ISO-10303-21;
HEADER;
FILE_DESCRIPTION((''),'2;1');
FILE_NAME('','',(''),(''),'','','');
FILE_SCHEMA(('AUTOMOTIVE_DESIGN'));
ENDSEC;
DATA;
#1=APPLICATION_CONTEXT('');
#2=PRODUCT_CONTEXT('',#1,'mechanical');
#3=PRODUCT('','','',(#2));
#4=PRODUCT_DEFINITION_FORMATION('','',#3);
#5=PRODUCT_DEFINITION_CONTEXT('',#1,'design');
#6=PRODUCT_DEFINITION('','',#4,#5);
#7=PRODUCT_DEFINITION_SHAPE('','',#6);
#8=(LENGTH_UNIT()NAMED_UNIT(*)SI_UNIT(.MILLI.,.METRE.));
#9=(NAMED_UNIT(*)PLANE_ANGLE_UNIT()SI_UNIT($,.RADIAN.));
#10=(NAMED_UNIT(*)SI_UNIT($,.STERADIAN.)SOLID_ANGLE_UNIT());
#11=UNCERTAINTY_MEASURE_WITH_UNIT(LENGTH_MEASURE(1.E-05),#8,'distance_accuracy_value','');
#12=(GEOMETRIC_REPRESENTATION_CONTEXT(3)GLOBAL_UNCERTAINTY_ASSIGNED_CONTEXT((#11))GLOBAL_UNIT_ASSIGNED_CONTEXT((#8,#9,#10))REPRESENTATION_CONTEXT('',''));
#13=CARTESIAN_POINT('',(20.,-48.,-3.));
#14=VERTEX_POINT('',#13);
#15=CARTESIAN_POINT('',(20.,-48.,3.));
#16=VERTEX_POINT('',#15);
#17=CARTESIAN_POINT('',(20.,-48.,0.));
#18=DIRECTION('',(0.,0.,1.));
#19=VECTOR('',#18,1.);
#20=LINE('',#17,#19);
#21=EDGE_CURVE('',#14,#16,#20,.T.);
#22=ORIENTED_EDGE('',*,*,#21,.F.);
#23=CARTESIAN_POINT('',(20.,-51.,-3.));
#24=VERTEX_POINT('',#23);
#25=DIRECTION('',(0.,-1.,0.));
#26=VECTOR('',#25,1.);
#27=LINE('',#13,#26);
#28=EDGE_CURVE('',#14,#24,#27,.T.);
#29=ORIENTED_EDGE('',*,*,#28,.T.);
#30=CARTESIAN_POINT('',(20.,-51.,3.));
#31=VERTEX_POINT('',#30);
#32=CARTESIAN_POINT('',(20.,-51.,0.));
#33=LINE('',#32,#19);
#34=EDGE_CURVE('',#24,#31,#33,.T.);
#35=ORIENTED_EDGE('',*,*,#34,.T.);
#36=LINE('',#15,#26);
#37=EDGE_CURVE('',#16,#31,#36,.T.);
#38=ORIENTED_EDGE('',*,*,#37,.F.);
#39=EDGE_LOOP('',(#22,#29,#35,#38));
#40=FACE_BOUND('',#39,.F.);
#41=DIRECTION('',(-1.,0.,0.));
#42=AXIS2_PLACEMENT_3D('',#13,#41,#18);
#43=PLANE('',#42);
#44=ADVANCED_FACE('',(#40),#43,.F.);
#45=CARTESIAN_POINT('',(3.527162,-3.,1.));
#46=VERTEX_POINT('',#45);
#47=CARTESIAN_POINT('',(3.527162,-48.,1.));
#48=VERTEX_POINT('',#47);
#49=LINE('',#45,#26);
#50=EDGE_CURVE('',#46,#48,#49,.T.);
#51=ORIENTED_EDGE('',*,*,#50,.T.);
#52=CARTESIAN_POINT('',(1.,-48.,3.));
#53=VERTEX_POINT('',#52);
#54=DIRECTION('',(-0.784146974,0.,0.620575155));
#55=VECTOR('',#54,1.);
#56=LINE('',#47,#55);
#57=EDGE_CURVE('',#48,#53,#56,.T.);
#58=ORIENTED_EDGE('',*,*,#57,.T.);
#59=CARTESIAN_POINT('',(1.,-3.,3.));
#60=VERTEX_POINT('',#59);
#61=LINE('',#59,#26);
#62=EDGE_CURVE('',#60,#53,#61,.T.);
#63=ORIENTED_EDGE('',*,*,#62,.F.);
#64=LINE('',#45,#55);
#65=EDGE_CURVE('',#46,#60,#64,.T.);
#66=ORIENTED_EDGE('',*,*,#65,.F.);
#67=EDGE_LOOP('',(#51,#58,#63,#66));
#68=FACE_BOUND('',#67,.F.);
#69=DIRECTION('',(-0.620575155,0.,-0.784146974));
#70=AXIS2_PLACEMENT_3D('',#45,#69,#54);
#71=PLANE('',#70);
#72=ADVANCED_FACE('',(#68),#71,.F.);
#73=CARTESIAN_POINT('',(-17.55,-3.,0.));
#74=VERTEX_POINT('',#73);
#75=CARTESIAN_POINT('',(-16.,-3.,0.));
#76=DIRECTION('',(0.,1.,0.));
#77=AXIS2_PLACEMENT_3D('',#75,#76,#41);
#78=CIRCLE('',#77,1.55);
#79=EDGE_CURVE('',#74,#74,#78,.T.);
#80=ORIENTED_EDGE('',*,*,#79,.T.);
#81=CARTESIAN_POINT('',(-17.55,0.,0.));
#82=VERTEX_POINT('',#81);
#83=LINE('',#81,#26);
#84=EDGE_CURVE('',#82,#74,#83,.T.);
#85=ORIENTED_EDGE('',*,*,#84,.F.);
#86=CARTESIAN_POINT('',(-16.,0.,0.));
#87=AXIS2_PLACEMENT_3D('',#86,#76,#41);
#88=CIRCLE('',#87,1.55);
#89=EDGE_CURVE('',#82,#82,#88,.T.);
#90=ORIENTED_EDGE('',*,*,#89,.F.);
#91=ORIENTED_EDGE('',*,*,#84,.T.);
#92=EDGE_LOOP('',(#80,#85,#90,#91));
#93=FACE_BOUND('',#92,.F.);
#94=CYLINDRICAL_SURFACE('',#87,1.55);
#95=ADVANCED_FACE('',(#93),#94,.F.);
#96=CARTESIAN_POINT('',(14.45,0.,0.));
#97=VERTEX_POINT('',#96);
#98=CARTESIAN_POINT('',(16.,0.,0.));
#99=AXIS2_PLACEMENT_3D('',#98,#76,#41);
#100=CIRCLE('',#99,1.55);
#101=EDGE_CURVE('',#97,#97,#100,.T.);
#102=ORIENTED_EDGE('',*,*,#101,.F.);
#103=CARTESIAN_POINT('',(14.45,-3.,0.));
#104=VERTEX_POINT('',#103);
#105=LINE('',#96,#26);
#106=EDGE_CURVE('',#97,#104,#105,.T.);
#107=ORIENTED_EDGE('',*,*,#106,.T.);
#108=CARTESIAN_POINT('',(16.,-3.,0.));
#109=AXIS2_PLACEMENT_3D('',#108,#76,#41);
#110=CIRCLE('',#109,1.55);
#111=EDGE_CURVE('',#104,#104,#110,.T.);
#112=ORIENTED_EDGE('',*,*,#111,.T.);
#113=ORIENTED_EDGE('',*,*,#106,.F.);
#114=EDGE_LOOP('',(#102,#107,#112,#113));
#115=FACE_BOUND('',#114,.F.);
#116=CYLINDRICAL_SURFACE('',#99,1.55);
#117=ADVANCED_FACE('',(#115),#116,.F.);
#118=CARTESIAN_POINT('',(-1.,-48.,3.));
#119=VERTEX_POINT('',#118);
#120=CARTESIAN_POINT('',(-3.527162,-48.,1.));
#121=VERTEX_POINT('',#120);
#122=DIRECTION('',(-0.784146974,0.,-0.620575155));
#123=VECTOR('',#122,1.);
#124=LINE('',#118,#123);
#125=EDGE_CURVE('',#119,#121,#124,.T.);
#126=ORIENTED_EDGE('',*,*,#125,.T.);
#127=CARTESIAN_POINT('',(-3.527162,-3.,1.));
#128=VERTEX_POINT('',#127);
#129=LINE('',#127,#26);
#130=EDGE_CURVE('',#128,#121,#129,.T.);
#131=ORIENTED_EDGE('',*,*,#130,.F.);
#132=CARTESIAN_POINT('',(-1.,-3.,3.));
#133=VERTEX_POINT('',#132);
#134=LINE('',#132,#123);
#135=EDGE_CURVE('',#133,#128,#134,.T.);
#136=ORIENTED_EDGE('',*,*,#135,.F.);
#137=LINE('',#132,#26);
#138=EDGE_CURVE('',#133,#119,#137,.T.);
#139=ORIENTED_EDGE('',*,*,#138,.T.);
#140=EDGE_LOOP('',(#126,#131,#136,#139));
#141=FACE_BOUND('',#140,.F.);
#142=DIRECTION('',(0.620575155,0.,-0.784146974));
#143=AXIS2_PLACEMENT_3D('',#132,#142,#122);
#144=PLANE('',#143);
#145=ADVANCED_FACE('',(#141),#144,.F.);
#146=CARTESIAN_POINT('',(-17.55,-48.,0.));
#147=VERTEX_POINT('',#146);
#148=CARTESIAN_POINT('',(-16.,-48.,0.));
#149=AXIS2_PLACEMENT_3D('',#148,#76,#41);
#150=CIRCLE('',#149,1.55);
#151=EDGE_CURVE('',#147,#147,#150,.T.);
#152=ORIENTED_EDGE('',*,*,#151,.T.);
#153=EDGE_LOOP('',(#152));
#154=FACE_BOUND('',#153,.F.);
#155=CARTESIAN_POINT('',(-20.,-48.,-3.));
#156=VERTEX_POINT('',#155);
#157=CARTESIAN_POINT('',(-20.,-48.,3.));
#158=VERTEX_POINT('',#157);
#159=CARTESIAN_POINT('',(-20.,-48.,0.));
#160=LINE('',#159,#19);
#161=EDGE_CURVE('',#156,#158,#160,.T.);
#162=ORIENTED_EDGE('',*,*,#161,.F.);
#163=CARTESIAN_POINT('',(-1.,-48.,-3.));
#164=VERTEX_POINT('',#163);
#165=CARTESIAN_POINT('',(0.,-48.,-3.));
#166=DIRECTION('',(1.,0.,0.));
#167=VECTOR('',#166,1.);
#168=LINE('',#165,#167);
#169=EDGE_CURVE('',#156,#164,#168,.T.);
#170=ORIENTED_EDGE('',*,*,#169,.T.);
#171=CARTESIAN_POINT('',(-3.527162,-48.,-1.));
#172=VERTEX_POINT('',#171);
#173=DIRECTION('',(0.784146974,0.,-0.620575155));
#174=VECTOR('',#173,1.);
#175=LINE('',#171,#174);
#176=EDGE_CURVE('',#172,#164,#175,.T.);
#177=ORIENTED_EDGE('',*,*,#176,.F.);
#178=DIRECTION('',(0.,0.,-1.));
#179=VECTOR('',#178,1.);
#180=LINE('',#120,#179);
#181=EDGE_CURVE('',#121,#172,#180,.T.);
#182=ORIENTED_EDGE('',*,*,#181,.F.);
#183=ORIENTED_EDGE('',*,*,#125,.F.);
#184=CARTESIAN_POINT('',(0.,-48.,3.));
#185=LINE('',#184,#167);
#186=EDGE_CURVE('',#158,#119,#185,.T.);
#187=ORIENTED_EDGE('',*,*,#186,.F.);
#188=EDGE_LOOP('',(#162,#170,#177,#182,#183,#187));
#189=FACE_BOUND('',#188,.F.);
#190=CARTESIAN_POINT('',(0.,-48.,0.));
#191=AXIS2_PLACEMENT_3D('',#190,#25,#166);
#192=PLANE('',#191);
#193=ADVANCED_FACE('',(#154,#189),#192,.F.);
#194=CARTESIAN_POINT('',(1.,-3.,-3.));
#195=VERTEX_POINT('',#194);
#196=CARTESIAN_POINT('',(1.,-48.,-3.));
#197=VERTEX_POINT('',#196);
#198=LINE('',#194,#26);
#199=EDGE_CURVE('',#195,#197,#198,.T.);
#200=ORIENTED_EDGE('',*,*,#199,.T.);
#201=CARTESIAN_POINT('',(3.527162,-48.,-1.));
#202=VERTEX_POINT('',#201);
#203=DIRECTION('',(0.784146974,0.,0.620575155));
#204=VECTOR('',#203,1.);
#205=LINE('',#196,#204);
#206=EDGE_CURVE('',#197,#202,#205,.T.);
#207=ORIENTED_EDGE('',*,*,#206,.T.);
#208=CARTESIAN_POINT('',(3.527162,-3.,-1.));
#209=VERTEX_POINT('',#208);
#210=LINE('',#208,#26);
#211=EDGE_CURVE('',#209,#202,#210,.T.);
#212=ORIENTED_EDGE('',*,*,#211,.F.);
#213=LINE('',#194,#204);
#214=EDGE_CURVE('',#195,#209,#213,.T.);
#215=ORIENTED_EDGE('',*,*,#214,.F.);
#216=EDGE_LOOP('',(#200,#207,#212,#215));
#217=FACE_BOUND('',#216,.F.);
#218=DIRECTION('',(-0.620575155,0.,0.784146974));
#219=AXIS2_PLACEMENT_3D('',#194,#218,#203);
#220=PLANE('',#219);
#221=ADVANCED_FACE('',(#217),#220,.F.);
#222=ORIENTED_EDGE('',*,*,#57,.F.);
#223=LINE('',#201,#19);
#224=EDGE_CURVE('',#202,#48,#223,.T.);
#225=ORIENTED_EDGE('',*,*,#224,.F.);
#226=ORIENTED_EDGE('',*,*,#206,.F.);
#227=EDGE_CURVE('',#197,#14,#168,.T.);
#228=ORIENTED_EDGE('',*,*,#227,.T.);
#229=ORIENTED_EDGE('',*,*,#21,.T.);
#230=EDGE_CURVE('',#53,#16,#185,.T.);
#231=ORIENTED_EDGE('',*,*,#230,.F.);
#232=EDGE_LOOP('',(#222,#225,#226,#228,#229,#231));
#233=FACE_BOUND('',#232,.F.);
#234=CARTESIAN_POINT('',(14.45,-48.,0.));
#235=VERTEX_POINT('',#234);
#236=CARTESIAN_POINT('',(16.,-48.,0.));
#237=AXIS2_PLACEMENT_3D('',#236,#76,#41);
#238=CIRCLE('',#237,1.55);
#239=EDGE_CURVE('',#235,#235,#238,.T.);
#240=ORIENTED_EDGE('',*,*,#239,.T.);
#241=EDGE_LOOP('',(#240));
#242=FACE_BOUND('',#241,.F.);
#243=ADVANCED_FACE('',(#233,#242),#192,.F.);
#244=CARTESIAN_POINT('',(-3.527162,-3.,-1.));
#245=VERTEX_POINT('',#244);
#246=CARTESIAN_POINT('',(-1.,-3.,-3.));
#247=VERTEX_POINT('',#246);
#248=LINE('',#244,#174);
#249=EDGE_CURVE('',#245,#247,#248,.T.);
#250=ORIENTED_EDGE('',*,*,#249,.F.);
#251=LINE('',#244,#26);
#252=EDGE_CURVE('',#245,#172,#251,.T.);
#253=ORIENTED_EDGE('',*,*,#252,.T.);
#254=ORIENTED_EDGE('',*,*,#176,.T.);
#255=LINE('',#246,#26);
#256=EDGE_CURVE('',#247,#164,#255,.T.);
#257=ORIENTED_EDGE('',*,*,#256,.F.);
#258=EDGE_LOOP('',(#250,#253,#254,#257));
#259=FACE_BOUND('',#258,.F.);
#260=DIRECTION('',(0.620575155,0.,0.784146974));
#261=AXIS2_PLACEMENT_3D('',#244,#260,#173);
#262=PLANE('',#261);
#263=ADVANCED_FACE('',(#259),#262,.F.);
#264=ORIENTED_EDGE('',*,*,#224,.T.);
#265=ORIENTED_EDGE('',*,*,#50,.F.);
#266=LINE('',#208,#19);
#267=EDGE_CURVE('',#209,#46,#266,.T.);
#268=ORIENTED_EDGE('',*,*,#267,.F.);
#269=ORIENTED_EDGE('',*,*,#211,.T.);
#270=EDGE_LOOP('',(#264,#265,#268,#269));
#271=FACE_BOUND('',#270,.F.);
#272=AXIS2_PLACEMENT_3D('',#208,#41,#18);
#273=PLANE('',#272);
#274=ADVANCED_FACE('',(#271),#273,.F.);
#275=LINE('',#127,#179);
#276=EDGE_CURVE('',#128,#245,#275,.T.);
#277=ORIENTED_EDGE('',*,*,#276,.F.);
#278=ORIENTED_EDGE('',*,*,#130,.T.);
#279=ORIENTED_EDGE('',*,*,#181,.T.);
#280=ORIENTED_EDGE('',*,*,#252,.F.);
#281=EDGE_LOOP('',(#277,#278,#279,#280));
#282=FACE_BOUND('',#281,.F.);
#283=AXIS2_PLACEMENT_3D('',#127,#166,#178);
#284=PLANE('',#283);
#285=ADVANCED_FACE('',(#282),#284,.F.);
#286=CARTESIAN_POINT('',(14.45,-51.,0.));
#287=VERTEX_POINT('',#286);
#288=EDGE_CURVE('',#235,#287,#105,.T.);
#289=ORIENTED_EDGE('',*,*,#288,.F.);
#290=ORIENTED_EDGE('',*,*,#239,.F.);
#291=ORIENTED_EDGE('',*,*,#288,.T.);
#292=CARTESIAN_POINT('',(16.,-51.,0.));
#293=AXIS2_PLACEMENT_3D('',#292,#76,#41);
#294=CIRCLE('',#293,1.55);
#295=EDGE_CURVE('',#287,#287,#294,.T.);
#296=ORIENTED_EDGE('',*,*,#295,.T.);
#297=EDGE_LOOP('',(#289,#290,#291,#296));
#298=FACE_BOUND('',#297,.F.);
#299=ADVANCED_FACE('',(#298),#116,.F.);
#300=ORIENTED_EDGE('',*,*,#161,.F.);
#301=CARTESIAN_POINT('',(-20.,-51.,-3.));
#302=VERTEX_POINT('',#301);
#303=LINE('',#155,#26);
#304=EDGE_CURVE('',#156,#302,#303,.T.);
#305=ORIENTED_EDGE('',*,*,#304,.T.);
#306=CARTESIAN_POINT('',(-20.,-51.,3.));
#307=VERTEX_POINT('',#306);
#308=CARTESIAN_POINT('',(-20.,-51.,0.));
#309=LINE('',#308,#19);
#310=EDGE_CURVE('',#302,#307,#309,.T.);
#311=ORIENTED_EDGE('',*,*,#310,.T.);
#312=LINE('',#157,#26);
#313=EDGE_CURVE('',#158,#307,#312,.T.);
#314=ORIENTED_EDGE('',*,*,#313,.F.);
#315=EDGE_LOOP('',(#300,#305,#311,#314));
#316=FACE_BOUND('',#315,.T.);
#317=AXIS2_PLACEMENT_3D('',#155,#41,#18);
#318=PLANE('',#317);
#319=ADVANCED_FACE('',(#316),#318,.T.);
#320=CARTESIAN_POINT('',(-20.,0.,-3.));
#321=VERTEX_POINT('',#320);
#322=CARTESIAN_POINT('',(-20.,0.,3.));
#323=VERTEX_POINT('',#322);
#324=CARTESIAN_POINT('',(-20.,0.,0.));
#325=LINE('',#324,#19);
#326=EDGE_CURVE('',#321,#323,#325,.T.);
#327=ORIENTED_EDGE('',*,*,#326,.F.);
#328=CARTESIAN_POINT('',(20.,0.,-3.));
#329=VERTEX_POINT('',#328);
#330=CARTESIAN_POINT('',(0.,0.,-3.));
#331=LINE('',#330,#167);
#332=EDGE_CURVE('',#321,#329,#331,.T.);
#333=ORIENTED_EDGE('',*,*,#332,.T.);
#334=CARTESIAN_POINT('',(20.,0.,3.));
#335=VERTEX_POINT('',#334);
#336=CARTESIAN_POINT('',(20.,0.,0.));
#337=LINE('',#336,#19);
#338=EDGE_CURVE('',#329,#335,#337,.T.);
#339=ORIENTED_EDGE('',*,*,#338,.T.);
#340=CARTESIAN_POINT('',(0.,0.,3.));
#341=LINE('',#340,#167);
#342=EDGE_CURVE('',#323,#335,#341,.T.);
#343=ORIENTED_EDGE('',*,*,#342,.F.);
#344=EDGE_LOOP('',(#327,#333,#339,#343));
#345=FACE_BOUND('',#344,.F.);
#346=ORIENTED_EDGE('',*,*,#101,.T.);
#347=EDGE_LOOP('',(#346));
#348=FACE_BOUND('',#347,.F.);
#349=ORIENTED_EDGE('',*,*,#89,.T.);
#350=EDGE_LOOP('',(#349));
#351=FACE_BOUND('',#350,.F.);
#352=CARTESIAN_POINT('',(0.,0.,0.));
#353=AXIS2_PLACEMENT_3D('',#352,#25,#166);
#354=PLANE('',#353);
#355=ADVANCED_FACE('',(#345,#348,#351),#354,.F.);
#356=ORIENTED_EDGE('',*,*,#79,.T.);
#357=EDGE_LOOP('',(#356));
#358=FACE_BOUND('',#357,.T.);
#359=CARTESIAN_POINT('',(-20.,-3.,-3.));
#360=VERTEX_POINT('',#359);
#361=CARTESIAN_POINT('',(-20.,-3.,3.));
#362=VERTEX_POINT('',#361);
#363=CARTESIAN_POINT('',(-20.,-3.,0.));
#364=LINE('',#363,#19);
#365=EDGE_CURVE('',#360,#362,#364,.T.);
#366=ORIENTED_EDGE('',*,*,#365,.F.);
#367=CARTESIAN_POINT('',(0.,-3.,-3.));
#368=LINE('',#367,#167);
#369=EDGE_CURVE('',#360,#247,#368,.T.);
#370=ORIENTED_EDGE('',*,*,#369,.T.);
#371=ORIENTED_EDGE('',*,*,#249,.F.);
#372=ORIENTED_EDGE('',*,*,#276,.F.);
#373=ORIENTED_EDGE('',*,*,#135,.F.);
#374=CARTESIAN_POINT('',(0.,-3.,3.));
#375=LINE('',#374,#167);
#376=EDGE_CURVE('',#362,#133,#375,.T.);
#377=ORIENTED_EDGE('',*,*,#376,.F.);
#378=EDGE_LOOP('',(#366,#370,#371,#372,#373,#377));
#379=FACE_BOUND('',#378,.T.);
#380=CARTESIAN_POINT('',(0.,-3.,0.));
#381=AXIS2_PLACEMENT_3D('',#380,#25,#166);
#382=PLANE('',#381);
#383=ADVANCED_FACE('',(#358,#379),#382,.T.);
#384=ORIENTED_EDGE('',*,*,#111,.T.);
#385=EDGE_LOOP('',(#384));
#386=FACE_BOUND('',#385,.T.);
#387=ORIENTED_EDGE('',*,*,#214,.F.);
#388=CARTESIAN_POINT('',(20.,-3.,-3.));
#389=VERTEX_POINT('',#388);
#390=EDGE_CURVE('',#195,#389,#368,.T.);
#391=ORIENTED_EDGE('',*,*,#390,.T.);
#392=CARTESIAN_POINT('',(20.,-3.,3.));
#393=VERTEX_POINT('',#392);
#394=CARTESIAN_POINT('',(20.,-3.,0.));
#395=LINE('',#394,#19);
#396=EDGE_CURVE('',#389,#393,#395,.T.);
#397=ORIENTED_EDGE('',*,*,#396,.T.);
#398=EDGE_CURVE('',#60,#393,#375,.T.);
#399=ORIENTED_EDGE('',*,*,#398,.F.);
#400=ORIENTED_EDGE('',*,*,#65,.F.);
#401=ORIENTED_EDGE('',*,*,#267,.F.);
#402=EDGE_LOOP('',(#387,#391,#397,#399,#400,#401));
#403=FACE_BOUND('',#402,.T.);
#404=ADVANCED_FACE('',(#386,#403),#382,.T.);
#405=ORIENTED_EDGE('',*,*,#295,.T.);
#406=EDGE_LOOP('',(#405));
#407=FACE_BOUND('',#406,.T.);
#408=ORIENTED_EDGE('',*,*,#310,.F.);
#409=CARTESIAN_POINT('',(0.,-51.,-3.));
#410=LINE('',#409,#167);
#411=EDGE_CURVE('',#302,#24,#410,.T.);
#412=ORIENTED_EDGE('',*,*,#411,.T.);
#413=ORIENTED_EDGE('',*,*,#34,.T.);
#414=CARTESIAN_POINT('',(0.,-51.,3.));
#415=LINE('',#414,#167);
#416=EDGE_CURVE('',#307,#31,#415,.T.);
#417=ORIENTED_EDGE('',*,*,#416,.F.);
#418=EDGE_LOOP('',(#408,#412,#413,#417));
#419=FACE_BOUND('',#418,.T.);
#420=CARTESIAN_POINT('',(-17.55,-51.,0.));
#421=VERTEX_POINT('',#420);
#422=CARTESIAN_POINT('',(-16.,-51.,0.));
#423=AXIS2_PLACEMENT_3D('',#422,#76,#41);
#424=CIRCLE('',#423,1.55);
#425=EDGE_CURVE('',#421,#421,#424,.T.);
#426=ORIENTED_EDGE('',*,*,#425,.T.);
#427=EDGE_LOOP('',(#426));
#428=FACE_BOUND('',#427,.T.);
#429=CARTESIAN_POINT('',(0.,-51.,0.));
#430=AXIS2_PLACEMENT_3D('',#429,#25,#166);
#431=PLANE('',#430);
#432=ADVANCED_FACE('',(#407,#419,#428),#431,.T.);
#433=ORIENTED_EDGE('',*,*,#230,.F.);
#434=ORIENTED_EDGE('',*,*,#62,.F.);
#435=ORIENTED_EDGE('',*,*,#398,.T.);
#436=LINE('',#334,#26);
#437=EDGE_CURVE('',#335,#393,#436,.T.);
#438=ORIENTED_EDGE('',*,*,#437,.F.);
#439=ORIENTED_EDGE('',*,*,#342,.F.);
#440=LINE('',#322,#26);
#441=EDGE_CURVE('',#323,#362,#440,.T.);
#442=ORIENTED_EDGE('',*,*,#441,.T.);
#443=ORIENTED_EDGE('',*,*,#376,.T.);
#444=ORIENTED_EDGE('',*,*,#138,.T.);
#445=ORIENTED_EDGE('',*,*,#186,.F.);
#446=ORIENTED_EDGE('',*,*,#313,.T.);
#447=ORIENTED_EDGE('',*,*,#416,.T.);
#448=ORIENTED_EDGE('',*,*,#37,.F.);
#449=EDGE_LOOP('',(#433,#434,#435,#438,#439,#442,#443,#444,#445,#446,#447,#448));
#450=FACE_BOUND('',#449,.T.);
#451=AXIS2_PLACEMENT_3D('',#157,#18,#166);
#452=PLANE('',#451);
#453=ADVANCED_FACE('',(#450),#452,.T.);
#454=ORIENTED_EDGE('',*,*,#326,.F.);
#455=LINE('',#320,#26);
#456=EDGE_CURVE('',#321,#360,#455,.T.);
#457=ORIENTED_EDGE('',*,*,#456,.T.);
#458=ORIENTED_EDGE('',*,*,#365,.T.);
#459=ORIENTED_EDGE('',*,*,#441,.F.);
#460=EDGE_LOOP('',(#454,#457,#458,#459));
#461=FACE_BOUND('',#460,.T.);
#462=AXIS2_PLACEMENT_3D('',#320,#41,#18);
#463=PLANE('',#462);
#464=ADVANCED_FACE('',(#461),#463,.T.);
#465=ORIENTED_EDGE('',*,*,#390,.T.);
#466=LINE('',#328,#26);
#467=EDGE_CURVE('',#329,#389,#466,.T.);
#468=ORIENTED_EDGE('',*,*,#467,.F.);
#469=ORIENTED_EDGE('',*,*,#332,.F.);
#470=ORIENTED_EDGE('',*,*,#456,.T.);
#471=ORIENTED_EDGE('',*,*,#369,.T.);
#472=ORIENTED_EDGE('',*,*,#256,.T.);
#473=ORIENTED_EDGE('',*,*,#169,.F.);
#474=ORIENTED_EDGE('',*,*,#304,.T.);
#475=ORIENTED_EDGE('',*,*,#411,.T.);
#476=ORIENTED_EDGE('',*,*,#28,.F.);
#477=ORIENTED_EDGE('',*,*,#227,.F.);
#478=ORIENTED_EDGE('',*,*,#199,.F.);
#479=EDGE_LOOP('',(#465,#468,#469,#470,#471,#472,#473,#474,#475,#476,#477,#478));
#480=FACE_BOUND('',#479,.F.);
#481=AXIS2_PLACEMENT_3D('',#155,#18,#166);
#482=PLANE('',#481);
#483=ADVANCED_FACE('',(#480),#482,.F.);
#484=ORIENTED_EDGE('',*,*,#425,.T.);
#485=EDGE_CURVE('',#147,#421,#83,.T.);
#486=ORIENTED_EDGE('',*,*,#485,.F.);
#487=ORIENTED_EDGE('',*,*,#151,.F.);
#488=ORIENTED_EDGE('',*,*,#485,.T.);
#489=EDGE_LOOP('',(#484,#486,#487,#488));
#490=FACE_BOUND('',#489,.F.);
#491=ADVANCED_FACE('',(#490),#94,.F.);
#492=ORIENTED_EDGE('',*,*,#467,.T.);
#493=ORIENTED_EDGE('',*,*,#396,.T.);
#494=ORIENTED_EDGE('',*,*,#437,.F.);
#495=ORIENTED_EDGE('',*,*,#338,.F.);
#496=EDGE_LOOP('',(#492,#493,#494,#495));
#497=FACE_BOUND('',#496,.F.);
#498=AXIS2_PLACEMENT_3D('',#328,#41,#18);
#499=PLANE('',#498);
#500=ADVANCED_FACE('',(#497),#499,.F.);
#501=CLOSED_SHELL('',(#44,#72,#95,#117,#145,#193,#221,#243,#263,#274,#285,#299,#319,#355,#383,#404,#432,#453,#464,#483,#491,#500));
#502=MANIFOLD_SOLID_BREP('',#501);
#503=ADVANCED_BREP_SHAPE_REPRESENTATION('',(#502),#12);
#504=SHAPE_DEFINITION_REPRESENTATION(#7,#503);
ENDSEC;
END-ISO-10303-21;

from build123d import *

# Parameters (mm, degrees)
F0_W     = 40
F0_H     = 6
F1_DEPTH = 3
F3_DEPTH = 45
F4_W     = 40
F4_H     = 6
F5_DEPTH = 3
F6_R     = 1.55
F7_DEPTH = 51.001


with BuildPart() as f1:
    # F0 (on Front) → F1 (new body)
    with BuildSketch(Plane.XZ):
        Rectangle(F0_W, F0_H)
    extrude(amount=F1_DEPTH)

    # F2 (on face) → F3 (join)
    with BuildSketch(Plane.XZ.offset(3)):
        Polygon((1, -3), (3.527162, -1), (3.527162, 1), (1, 3), (-1, 3), (-3.527162, 1), (-3.527162, -1), (-1, -3), align=None)
    extrude(amount=F3_DEPTH)

    # F4 (on face) → F5 (join)
    with BuildSketch(Plane.XZ.offset(48)):
        Rectangle(F4_W, F4_H)
    extrude(amount=F5_DEPTH)

    # F6 (on face) → F7 (cut, through all)
    with BuildSketch(Plane(origin=(0, 0, 0), x_dir=(-1, 0, 0), z_dir=(0, 1, 0))):
        with Locations((-16, 0)):
            Circle(F6_R)
        with Locations((16, 0)):
            Circle(F6_R)
    extrude(amount=-F7_DEPTH, mode=Mode.SUBTRACT)


solid = f1.part
